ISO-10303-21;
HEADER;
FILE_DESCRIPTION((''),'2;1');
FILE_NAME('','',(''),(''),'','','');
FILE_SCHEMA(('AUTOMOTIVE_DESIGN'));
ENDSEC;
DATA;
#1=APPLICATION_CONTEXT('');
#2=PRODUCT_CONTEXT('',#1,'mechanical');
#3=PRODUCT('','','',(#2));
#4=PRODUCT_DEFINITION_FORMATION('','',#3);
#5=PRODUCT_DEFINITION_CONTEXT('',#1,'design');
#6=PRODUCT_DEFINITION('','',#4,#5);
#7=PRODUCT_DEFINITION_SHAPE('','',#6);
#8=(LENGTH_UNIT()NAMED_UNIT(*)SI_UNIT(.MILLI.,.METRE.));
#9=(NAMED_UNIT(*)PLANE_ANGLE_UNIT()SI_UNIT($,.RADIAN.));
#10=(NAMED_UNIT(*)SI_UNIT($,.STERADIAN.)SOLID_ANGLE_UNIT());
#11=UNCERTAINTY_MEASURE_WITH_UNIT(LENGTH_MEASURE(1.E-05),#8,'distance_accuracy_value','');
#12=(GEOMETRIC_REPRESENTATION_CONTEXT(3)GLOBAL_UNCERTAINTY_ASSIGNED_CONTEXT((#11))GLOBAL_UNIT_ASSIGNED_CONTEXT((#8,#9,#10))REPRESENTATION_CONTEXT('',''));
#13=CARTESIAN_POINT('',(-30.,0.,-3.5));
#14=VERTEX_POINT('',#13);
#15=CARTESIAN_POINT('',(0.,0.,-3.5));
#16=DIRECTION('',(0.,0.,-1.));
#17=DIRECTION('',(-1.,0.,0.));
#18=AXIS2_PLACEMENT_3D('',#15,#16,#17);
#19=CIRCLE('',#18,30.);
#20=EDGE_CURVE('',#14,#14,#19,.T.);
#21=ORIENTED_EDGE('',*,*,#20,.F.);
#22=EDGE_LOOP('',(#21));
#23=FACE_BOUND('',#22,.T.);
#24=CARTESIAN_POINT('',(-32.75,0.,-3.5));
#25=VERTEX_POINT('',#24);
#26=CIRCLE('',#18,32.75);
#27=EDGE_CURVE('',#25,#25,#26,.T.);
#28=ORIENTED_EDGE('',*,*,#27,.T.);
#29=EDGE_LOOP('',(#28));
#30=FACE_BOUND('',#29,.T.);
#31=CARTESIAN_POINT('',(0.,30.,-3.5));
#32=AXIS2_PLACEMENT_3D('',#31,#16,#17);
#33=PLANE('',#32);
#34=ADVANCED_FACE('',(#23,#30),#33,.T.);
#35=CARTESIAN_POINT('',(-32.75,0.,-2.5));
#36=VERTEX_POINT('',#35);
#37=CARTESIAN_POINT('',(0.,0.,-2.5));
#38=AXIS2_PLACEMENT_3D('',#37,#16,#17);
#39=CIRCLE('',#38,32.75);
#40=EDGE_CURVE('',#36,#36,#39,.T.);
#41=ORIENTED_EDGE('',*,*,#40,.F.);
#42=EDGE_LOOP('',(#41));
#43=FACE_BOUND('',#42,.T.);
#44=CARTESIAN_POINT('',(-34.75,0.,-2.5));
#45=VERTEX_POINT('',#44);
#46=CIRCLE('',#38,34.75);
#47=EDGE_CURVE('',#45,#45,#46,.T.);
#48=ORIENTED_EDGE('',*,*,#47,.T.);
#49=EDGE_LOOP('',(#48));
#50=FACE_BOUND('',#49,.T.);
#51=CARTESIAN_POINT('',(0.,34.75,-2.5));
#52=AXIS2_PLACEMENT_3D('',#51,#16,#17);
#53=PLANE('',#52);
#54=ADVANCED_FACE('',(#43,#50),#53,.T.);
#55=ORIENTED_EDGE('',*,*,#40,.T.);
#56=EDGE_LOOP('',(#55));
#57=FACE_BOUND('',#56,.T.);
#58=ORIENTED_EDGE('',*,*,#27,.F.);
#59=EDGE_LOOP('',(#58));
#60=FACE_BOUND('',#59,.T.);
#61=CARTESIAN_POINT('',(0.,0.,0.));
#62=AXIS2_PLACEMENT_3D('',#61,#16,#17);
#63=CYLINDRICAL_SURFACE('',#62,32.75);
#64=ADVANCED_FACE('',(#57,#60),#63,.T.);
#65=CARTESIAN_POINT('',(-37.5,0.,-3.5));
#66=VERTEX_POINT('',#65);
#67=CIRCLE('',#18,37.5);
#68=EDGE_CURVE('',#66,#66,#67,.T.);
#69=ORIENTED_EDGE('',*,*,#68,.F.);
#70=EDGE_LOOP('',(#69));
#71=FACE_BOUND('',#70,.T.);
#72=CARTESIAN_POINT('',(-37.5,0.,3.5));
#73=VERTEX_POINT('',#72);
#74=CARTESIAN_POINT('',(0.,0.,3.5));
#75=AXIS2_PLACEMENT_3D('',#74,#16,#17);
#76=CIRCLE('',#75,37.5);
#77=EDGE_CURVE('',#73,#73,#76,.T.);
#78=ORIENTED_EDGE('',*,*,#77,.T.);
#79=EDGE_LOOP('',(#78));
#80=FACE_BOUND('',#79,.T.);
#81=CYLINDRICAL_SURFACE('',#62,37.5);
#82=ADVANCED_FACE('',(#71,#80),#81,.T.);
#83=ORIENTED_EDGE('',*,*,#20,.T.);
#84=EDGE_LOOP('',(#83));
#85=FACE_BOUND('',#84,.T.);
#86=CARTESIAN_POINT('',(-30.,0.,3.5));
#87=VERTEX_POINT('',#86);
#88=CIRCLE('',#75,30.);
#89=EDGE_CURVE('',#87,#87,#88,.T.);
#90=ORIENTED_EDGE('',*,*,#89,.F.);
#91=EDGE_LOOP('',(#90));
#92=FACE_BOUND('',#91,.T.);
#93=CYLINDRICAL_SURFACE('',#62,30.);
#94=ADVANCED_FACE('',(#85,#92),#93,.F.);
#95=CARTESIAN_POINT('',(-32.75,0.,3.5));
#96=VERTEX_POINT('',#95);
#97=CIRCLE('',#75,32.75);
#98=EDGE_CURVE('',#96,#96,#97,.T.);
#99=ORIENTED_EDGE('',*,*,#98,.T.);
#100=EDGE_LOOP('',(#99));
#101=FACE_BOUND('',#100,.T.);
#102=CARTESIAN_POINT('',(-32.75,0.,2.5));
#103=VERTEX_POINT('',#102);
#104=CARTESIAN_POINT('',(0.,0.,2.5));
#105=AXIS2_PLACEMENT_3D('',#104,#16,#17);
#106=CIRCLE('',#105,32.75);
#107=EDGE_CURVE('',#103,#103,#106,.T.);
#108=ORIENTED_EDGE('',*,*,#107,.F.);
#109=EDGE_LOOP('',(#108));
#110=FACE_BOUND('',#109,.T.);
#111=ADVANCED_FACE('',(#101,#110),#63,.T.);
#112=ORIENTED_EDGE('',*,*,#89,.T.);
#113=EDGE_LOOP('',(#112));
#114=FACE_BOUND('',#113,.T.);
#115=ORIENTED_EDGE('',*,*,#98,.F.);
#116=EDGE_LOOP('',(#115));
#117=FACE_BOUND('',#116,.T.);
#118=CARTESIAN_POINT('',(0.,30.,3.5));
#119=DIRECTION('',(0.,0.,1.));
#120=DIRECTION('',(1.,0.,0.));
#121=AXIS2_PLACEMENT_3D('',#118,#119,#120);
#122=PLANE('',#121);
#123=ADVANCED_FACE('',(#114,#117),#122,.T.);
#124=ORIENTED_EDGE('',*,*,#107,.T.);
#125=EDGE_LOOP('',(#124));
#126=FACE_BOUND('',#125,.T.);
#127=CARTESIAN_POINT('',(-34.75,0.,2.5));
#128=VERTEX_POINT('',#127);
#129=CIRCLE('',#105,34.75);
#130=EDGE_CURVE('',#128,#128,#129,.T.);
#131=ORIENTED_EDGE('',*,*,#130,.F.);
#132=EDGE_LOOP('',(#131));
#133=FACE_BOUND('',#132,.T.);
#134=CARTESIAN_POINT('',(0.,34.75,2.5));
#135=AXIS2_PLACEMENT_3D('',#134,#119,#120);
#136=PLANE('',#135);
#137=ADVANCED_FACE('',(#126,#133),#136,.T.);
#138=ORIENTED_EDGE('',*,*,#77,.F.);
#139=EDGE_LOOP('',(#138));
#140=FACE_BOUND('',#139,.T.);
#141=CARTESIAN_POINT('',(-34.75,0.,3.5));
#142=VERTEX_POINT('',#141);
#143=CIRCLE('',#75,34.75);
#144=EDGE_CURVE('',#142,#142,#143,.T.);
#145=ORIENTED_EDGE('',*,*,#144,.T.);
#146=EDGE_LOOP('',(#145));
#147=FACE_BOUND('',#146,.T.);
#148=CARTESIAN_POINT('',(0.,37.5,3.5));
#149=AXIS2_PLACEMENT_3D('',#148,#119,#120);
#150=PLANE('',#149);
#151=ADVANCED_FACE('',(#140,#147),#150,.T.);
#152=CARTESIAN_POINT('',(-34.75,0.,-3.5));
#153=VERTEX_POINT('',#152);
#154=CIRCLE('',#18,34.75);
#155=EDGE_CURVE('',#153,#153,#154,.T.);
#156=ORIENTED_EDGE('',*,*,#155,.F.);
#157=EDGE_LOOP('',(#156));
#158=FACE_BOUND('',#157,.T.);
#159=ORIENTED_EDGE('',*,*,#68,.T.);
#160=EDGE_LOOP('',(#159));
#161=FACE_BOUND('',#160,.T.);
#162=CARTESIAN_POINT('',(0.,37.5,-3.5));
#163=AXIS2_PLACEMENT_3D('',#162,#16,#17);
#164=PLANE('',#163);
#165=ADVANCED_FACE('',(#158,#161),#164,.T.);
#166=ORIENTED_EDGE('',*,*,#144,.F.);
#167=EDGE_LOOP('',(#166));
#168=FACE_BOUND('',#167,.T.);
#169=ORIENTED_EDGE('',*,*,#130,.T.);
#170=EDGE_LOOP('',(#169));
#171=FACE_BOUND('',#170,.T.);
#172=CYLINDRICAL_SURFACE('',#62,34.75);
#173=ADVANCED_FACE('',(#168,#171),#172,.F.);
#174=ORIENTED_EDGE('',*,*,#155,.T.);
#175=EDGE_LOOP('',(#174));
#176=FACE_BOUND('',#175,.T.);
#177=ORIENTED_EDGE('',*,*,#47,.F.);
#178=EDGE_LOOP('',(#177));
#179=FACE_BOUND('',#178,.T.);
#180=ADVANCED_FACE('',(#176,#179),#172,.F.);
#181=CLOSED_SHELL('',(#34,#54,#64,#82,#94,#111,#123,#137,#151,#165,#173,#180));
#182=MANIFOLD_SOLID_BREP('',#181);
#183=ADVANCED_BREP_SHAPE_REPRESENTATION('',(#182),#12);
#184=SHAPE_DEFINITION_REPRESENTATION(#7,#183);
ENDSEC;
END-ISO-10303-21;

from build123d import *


with BuildPart() as part:
    # 草图1 → 旋转1 (revolve)
    with BuildSketch(Plane(origin=(0, 0, 0), x_dir=(0, 0, -1), z_dir=(1, 0, 0)), mode=Mode.PRIVATE) as revolve_1_sk:
        Polygon((-3.5, 37.5), (3.5, 37.5), (3.5, 34.75), (2.5, 34.75), (2.5, 32.75), (3.5, 32.75), (3.5, 30), (-3.5, 30), (-3.5, 32.75), (-2.5, 32.75), (-2.5, 34.75), (-3.5, 34.75), align=None)
    revolve(revolve_1_sk.sketch.rotate(Axis((0, 0, 0), (0, 0, 1)), 90), axis=Axis((0, 0, 0), (0, 0, 1)))


solid = part.part
